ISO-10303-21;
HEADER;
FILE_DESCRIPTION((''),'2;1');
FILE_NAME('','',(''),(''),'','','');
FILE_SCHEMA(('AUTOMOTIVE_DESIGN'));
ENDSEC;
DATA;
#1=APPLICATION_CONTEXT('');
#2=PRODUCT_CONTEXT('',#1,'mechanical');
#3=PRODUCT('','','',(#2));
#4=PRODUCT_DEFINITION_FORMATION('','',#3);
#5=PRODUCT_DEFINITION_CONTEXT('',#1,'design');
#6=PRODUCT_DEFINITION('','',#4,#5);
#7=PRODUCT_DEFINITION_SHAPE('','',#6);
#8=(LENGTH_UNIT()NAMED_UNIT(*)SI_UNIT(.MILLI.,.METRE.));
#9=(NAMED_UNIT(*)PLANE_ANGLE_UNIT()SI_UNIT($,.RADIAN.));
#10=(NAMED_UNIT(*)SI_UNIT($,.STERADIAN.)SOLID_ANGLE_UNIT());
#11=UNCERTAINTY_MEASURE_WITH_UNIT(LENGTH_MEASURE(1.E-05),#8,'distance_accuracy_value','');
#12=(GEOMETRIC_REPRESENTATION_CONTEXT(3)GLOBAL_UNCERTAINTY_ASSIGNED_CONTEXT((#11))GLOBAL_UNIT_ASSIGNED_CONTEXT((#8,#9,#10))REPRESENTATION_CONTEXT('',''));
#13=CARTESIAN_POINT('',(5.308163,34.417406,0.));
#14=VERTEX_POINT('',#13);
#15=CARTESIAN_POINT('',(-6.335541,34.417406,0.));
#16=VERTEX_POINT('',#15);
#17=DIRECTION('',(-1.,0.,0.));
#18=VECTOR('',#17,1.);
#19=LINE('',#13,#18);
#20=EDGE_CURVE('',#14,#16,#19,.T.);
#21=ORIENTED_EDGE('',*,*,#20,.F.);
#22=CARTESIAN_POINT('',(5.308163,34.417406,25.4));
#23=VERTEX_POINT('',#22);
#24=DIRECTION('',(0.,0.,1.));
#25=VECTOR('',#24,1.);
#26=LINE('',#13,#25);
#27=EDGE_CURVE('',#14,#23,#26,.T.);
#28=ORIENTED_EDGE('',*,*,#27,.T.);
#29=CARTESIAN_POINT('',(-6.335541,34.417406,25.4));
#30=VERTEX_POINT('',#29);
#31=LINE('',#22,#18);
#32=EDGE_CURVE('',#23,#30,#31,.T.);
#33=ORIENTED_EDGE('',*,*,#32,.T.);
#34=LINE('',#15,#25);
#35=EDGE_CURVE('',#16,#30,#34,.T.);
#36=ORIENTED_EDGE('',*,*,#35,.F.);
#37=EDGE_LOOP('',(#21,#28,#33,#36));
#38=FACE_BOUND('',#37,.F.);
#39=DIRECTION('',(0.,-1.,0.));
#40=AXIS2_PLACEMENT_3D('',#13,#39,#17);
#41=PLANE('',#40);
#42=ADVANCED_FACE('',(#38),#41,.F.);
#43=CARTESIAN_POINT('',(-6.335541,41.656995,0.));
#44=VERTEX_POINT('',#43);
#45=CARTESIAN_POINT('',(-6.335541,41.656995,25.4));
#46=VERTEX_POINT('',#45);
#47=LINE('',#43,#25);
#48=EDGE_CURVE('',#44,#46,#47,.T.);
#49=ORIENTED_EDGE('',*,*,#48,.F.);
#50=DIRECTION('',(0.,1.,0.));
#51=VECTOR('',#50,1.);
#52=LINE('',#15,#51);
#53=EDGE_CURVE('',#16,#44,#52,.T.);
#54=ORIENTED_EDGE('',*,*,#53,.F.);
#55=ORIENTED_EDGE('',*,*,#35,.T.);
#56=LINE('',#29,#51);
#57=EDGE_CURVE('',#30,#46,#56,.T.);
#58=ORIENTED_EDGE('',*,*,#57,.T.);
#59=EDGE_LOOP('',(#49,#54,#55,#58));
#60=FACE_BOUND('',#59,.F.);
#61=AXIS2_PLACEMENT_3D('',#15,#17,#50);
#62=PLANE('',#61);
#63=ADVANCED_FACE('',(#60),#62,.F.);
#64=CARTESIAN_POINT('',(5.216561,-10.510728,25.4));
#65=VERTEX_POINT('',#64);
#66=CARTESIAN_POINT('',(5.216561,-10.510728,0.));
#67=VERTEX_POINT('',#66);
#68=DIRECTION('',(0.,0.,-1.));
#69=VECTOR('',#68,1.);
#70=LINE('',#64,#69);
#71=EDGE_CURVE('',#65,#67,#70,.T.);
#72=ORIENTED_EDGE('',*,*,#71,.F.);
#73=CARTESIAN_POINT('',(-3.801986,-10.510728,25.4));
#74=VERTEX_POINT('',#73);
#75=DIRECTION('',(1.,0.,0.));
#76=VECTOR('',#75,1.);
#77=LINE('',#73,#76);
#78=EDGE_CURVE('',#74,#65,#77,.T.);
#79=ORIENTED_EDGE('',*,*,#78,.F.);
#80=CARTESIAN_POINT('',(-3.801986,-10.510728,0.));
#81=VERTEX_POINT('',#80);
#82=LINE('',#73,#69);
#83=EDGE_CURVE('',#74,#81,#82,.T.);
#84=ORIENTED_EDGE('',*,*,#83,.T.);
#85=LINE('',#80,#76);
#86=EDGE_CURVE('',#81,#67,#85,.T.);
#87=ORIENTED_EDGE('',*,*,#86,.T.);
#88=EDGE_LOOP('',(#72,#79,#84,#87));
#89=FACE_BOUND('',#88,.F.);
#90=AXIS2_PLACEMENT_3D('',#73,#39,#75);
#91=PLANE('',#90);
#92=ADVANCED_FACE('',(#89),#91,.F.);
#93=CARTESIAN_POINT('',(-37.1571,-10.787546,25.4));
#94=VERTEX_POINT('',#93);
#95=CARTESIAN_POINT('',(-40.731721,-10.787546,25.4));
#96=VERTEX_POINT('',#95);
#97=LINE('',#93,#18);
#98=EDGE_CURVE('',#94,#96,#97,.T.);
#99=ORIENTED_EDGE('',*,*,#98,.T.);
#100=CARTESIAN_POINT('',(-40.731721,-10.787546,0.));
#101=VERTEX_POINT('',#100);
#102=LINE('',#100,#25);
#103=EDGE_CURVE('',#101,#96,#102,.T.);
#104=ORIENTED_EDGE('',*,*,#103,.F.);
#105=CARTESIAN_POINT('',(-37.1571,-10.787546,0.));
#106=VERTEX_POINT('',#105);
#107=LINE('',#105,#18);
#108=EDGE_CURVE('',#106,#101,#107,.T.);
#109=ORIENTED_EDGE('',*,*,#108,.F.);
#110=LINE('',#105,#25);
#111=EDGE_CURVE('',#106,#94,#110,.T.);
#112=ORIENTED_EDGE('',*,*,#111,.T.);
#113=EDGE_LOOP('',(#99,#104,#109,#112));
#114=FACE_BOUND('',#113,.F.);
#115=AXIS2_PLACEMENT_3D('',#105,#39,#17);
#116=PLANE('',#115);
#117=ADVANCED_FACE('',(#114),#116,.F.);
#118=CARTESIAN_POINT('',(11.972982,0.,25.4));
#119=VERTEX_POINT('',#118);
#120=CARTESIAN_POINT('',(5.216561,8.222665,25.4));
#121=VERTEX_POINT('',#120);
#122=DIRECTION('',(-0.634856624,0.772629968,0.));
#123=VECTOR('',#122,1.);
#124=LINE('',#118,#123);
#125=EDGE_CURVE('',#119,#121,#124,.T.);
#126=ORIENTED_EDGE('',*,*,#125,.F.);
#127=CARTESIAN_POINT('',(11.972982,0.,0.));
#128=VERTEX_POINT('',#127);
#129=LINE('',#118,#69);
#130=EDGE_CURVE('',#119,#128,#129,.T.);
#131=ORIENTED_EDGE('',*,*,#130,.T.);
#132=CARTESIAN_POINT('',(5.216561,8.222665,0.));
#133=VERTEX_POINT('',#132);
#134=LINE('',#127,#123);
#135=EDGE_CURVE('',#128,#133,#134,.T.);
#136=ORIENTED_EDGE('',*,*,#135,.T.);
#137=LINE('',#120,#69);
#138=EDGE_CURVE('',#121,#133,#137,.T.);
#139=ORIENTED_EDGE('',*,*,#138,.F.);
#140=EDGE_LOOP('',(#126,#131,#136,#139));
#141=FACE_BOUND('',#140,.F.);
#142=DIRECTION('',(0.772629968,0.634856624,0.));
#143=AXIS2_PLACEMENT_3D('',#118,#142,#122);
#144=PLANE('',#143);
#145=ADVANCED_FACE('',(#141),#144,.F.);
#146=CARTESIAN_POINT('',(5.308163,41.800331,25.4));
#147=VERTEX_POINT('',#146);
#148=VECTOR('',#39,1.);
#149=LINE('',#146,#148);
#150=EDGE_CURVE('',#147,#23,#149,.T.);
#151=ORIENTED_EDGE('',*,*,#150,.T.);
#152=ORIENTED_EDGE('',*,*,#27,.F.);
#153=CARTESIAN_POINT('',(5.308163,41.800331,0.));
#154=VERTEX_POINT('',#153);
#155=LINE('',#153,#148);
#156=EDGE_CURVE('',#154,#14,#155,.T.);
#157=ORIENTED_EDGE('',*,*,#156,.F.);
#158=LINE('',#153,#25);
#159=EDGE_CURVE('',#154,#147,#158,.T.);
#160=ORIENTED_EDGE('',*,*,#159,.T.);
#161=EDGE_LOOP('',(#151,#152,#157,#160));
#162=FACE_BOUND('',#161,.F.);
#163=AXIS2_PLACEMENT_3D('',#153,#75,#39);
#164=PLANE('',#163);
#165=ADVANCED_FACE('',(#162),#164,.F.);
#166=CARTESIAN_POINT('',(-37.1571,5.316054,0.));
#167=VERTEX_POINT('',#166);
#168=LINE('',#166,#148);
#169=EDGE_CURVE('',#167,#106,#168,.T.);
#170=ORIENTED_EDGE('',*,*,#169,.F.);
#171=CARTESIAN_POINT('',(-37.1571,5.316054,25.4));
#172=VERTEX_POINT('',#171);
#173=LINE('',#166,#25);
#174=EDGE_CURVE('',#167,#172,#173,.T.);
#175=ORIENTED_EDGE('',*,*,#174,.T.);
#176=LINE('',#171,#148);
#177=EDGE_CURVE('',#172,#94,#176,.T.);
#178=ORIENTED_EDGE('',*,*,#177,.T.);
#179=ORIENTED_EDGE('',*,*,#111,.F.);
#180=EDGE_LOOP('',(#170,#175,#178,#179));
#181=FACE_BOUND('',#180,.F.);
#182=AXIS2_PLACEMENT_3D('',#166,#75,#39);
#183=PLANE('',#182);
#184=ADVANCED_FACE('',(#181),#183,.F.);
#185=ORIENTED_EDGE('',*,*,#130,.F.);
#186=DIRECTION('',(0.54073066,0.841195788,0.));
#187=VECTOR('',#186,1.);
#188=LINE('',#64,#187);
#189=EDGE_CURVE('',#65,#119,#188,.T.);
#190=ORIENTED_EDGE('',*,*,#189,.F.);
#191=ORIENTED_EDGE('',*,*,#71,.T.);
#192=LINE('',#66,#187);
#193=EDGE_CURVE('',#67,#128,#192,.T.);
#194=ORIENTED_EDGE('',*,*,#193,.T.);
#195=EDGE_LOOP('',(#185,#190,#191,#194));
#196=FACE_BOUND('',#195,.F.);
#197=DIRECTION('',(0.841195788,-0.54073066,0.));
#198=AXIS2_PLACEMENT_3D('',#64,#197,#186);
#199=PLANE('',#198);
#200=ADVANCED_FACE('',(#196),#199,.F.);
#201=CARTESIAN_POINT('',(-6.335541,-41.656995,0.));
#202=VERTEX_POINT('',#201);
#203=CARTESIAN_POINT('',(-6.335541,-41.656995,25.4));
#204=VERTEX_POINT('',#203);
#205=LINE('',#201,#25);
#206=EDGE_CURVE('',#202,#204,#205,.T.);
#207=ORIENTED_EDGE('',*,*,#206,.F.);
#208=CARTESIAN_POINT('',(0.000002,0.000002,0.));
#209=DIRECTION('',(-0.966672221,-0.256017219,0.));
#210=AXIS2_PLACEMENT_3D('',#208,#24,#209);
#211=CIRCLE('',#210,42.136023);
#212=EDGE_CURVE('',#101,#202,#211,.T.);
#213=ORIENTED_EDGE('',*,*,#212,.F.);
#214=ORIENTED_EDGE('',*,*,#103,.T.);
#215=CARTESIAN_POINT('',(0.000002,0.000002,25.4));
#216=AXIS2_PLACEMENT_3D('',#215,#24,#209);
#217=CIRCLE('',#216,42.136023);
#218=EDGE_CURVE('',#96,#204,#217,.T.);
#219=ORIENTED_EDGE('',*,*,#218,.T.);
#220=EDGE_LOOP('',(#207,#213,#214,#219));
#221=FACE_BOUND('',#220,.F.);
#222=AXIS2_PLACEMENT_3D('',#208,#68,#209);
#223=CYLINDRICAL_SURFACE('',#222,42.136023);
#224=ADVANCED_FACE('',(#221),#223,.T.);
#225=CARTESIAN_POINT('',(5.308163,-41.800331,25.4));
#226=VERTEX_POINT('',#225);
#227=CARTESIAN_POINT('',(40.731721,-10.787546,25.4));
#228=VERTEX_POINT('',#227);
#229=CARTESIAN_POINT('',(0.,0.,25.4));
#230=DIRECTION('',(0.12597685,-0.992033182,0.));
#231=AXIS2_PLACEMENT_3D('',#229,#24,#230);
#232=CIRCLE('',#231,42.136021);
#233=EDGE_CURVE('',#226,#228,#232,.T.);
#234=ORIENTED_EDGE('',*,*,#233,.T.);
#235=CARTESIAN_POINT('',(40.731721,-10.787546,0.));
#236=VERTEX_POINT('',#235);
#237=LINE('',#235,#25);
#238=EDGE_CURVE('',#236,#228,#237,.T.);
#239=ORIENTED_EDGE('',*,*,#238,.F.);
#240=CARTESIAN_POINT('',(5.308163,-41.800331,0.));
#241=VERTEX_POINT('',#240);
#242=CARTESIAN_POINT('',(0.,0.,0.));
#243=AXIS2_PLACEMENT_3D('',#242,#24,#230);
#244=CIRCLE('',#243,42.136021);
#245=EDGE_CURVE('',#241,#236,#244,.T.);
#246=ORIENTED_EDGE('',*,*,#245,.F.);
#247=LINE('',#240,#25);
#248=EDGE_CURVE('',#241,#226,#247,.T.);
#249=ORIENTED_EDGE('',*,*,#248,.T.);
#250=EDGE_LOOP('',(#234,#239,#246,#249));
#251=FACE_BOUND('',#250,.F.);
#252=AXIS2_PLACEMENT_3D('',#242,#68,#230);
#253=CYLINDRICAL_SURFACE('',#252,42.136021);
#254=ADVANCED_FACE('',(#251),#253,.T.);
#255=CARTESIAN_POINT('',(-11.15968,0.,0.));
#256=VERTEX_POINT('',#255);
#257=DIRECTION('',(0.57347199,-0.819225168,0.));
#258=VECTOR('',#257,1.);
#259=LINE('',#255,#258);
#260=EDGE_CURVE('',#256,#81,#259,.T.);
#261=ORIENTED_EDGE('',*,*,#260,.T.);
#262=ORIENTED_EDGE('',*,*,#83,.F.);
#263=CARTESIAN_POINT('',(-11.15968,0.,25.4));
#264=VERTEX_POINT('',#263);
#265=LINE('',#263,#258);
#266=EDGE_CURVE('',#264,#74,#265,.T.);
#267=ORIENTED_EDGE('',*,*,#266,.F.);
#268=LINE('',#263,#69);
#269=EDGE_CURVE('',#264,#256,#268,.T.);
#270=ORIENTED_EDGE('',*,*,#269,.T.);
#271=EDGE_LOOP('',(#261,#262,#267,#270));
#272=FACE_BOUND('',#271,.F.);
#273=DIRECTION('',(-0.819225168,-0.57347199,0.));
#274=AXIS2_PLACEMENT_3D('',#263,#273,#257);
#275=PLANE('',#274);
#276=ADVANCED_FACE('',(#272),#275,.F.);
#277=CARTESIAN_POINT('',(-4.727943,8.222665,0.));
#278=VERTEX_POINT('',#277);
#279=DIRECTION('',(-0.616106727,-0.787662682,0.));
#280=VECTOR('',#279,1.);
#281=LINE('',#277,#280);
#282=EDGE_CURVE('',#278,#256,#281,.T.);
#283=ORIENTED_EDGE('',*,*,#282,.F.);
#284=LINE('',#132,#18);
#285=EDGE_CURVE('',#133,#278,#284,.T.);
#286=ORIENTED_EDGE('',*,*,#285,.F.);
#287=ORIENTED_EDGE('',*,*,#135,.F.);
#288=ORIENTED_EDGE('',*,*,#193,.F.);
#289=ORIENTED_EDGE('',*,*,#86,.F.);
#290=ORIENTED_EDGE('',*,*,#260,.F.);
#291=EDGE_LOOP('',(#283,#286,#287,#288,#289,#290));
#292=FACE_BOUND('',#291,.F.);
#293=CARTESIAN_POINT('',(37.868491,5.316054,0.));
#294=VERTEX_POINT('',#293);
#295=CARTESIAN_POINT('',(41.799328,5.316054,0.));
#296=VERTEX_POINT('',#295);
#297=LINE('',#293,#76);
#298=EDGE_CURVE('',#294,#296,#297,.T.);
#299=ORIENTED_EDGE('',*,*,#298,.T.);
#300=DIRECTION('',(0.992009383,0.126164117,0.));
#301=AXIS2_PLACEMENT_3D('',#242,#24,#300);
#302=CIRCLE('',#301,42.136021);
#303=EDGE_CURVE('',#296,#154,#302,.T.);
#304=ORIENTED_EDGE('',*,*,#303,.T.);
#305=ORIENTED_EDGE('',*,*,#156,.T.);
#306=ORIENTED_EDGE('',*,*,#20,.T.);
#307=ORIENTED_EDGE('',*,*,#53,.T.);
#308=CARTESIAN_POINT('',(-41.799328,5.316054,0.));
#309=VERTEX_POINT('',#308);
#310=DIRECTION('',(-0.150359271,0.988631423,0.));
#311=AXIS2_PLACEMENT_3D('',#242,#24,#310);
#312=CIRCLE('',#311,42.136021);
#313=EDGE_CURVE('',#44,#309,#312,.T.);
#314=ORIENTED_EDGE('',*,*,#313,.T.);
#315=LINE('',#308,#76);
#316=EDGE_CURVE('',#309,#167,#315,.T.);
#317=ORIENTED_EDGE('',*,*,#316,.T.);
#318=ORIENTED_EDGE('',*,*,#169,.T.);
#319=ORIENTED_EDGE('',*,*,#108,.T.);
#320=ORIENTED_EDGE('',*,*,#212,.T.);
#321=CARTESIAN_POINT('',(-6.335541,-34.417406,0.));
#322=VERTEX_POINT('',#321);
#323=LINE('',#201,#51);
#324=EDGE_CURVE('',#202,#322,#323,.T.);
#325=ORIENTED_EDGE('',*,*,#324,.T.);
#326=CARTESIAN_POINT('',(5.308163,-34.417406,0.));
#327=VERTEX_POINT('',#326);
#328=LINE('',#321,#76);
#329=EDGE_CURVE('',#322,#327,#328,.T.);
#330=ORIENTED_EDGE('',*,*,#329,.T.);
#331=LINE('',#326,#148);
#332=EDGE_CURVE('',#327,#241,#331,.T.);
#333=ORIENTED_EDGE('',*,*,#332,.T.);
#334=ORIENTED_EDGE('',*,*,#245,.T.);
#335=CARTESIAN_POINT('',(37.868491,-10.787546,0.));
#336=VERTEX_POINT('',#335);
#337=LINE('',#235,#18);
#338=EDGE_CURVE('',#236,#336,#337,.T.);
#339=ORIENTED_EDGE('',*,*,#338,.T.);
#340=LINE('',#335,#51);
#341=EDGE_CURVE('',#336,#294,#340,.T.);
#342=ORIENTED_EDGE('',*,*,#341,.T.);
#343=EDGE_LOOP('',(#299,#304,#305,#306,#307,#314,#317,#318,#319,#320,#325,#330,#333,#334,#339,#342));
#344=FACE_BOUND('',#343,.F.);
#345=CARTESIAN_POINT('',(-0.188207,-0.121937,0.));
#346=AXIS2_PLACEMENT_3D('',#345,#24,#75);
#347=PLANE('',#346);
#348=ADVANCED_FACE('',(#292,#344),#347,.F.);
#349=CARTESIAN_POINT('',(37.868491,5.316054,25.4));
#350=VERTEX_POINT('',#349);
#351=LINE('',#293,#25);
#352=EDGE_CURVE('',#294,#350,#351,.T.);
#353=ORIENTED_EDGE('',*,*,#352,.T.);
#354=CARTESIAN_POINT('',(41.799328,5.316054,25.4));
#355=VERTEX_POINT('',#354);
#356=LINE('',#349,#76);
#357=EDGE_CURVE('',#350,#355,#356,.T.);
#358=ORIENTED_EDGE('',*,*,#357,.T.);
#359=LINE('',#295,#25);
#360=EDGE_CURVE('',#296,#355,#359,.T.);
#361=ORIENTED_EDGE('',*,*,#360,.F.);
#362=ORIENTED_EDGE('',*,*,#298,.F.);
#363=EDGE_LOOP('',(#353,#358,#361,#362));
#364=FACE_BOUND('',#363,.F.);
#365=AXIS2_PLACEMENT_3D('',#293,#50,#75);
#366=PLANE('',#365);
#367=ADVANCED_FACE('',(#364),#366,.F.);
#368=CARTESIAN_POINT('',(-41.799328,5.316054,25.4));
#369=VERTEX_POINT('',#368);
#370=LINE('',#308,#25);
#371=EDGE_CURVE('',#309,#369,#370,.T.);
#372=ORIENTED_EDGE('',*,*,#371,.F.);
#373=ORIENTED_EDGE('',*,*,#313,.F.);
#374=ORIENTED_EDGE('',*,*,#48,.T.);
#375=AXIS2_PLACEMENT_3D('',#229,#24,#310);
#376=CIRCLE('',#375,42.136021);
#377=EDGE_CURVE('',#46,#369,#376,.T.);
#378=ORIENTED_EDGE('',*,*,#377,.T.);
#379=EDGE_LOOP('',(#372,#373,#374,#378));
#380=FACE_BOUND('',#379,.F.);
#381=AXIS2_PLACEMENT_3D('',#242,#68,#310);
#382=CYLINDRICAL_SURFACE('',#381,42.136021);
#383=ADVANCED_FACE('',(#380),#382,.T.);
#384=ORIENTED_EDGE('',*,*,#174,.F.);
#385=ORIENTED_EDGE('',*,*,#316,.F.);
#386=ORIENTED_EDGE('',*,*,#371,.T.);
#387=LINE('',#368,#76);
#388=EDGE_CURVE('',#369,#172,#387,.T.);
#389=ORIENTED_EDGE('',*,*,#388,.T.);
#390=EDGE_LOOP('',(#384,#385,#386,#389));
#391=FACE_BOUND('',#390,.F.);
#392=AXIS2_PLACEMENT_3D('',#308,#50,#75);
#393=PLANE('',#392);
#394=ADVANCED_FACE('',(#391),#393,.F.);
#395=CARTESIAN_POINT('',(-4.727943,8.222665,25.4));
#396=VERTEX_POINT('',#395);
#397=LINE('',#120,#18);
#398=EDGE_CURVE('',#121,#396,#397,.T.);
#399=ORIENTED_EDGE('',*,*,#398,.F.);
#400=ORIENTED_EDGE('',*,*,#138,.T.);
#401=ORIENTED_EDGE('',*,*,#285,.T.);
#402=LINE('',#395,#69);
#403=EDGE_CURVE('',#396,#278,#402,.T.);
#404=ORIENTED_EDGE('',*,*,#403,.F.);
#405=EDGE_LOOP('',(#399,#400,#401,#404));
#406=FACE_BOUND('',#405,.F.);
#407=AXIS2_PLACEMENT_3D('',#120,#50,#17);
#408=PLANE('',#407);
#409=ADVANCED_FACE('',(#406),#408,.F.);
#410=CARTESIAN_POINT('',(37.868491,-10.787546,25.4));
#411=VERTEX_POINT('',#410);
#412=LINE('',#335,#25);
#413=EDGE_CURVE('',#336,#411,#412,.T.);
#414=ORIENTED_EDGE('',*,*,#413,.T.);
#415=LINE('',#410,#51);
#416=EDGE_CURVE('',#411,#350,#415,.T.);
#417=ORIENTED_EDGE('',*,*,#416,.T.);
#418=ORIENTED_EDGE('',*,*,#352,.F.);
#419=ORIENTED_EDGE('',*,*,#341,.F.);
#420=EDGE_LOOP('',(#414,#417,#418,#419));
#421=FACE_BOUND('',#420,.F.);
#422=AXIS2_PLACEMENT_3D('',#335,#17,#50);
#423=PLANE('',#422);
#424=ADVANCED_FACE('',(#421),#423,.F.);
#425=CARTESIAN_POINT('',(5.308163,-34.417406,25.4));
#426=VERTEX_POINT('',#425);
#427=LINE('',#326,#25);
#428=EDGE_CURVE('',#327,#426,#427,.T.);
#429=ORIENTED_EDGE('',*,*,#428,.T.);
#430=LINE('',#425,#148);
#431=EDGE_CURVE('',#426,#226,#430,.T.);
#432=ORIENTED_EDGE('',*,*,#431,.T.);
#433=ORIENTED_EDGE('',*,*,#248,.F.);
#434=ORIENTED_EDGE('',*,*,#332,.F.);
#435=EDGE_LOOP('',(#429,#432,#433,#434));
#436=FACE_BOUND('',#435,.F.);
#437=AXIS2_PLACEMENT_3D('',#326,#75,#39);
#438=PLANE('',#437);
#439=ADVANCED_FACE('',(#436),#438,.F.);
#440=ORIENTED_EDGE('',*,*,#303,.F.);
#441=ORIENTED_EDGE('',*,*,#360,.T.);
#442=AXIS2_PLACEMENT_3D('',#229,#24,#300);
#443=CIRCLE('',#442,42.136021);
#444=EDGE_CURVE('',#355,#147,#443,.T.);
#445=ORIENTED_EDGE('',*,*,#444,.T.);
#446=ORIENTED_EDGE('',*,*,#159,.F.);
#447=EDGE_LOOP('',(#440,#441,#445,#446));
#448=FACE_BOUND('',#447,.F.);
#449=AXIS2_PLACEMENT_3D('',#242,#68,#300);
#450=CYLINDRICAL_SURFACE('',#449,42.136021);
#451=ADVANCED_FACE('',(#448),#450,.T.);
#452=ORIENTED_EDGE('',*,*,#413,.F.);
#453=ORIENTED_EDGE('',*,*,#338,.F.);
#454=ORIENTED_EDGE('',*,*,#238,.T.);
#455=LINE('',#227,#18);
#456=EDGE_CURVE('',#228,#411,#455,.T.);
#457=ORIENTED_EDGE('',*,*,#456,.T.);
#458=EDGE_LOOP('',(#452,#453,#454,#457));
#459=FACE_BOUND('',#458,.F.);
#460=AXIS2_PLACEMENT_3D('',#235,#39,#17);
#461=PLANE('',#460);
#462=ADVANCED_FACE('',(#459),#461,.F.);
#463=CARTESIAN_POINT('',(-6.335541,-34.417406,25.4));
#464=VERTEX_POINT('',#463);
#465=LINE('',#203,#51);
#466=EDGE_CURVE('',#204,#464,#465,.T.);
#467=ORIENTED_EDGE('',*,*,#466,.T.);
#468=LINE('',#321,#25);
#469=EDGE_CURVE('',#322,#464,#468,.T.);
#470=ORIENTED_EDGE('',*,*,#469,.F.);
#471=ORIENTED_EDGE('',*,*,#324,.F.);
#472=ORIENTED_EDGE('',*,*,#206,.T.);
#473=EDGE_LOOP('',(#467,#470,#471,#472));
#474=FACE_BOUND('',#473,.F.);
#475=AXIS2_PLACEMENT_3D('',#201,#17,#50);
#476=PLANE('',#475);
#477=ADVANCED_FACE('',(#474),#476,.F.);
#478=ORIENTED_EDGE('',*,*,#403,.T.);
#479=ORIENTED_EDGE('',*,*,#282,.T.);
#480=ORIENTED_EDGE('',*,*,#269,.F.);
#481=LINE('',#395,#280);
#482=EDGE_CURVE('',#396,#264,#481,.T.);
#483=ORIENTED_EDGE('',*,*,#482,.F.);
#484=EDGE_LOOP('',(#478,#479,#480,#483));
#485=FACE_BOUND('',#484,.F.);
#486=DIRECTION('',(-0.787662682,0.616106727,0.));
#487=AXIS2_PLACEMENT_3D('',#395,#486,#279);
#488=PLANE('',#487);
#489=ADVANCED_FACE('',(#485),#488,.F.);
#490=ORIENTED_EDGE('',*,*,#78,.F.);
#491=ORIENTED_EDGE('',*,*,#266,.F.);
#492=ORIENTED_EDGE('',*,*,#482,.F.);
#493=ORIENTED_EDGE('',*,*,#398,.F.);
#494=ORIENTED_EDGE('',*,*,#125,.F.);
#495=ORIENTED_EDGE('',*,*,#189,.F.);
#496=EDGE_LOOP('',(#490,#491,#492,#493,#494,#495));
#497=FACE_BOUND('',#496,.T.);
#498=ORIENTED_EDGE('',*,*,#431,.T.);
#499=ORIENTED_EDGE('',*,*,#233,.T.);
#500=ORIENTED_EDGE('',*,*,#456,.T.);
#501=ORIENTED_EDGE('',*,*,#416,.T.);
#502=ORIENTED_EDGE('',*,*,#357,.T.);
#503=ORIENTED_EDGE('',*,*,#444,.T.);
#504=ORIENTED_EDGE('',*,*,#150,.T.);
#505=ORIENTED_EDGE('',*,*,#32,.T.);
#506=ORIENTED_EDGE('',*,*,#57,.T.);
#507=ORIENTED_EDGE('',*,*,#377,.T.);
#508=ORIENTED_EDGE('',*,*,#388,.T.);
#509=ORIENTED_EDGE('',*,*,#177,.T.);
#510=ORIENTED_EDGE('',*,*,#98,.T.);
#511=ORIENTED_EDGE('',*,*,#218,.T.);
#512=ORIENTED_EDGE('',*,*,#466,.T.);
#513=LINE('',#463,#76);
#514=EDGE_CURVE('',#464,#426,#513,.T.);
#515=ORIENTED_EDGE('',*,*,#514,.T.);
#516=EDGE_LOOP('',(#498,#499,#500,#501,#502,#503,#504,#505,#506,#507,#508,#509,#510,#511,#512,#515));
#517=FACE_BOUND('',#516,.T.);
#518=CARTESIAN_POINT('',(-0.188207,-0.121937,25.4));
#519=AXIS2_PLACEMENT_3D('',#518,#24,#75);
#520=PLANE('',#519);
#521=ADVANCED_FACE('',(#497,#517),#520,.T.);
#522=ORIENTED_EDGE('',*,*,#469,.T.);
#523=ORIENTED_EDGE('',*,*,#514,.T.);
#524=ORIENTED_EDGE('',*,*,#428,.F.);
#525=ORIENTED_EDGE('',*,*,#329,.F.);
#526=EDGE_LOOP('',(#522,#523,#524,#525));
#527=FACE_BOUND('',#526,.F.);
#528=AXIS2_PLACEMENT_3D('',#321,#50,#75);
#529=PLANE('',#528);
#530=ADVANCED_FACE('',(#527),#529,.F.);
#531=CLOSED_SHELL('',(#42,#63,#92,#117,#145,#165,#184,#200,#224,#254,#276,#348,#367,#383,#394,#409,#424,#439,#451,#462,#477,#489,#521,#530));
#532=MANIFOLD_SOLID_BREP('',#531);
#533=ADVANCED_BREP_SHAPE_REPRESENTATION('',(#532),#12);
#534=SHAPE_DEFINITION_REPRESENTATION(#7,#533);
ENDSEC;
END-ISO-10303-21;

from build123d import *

# Parameters (mm, degrees)
F1_DEPTH = 25.4
F3_DEPTH = 25.4


with BuildPart() as f1:
    # F0 (on Top) → F1 (new body)
    with BuildSketch(Plane.XY):
        with BuildLine():
            Line((37.868491, 5.316054), (41.799328, 5.316054))
            ThreePointArc((41.799328, 5.316054), (29.791854, 29.797478), (5.308163, 41.800331))
            Line((5.308163, 41.800331), (5.308163, 34.417406))
            Line((5.308163, 34.417406), (-6.335541, 34.417406))
            Line((-6.335541, 34.417406), (-6.335541, 41.656995))
            ThreePointArc((-6.335541, 41.656995), (-30.156382, 29.428505), (-41.799328, 5.316054))
            Line((-41.799328, 5.316054), (-37.1571, 5.316054))
            Line((-37.1571, 5.316054), (-37.1571, -10.787546))
            Line((-37.1571, -10.787546), (-40.731721, -10.787546))
            ThreePointArc((-40.731721, -10.787546), (-28.143605, -31.358918), (-6.335541, -41.656995))
            Line((-6.335541, -41.656995), (-6.335541, -34.417406))
            Line((-6.335541, -34.417406), (5.308163, -34.417406))
            Line((5.308163, -34.417406), (5.308163, -41.800331))
            ThreePointArc((5.308163, -41.800331), (27.755467, -31.70297), (40.731721, -10.787546))
            Line((40.731721, -10.787546), (37.868491, -10.787546))
            Line((37.868491, -10.787546), (37.868491, 5.316054))
        make_face()
    extrude(amount=F1_DEPTH)

    # F2 (on face) → F3 (cut)
    with BuildSketch(Plane.XY.offset(25.4)):
        Polygon((-4.727943, 8.222665), (-11.15968, 0), (-3.801986, -10.510728), (5.216561, -10.510728), (11.972982, 0), (5.216561, 8.222665), align=None)
    extrude(amount=-F3_DEPTH, mode=Mode.SUBTRACT)


solid = f1.part
